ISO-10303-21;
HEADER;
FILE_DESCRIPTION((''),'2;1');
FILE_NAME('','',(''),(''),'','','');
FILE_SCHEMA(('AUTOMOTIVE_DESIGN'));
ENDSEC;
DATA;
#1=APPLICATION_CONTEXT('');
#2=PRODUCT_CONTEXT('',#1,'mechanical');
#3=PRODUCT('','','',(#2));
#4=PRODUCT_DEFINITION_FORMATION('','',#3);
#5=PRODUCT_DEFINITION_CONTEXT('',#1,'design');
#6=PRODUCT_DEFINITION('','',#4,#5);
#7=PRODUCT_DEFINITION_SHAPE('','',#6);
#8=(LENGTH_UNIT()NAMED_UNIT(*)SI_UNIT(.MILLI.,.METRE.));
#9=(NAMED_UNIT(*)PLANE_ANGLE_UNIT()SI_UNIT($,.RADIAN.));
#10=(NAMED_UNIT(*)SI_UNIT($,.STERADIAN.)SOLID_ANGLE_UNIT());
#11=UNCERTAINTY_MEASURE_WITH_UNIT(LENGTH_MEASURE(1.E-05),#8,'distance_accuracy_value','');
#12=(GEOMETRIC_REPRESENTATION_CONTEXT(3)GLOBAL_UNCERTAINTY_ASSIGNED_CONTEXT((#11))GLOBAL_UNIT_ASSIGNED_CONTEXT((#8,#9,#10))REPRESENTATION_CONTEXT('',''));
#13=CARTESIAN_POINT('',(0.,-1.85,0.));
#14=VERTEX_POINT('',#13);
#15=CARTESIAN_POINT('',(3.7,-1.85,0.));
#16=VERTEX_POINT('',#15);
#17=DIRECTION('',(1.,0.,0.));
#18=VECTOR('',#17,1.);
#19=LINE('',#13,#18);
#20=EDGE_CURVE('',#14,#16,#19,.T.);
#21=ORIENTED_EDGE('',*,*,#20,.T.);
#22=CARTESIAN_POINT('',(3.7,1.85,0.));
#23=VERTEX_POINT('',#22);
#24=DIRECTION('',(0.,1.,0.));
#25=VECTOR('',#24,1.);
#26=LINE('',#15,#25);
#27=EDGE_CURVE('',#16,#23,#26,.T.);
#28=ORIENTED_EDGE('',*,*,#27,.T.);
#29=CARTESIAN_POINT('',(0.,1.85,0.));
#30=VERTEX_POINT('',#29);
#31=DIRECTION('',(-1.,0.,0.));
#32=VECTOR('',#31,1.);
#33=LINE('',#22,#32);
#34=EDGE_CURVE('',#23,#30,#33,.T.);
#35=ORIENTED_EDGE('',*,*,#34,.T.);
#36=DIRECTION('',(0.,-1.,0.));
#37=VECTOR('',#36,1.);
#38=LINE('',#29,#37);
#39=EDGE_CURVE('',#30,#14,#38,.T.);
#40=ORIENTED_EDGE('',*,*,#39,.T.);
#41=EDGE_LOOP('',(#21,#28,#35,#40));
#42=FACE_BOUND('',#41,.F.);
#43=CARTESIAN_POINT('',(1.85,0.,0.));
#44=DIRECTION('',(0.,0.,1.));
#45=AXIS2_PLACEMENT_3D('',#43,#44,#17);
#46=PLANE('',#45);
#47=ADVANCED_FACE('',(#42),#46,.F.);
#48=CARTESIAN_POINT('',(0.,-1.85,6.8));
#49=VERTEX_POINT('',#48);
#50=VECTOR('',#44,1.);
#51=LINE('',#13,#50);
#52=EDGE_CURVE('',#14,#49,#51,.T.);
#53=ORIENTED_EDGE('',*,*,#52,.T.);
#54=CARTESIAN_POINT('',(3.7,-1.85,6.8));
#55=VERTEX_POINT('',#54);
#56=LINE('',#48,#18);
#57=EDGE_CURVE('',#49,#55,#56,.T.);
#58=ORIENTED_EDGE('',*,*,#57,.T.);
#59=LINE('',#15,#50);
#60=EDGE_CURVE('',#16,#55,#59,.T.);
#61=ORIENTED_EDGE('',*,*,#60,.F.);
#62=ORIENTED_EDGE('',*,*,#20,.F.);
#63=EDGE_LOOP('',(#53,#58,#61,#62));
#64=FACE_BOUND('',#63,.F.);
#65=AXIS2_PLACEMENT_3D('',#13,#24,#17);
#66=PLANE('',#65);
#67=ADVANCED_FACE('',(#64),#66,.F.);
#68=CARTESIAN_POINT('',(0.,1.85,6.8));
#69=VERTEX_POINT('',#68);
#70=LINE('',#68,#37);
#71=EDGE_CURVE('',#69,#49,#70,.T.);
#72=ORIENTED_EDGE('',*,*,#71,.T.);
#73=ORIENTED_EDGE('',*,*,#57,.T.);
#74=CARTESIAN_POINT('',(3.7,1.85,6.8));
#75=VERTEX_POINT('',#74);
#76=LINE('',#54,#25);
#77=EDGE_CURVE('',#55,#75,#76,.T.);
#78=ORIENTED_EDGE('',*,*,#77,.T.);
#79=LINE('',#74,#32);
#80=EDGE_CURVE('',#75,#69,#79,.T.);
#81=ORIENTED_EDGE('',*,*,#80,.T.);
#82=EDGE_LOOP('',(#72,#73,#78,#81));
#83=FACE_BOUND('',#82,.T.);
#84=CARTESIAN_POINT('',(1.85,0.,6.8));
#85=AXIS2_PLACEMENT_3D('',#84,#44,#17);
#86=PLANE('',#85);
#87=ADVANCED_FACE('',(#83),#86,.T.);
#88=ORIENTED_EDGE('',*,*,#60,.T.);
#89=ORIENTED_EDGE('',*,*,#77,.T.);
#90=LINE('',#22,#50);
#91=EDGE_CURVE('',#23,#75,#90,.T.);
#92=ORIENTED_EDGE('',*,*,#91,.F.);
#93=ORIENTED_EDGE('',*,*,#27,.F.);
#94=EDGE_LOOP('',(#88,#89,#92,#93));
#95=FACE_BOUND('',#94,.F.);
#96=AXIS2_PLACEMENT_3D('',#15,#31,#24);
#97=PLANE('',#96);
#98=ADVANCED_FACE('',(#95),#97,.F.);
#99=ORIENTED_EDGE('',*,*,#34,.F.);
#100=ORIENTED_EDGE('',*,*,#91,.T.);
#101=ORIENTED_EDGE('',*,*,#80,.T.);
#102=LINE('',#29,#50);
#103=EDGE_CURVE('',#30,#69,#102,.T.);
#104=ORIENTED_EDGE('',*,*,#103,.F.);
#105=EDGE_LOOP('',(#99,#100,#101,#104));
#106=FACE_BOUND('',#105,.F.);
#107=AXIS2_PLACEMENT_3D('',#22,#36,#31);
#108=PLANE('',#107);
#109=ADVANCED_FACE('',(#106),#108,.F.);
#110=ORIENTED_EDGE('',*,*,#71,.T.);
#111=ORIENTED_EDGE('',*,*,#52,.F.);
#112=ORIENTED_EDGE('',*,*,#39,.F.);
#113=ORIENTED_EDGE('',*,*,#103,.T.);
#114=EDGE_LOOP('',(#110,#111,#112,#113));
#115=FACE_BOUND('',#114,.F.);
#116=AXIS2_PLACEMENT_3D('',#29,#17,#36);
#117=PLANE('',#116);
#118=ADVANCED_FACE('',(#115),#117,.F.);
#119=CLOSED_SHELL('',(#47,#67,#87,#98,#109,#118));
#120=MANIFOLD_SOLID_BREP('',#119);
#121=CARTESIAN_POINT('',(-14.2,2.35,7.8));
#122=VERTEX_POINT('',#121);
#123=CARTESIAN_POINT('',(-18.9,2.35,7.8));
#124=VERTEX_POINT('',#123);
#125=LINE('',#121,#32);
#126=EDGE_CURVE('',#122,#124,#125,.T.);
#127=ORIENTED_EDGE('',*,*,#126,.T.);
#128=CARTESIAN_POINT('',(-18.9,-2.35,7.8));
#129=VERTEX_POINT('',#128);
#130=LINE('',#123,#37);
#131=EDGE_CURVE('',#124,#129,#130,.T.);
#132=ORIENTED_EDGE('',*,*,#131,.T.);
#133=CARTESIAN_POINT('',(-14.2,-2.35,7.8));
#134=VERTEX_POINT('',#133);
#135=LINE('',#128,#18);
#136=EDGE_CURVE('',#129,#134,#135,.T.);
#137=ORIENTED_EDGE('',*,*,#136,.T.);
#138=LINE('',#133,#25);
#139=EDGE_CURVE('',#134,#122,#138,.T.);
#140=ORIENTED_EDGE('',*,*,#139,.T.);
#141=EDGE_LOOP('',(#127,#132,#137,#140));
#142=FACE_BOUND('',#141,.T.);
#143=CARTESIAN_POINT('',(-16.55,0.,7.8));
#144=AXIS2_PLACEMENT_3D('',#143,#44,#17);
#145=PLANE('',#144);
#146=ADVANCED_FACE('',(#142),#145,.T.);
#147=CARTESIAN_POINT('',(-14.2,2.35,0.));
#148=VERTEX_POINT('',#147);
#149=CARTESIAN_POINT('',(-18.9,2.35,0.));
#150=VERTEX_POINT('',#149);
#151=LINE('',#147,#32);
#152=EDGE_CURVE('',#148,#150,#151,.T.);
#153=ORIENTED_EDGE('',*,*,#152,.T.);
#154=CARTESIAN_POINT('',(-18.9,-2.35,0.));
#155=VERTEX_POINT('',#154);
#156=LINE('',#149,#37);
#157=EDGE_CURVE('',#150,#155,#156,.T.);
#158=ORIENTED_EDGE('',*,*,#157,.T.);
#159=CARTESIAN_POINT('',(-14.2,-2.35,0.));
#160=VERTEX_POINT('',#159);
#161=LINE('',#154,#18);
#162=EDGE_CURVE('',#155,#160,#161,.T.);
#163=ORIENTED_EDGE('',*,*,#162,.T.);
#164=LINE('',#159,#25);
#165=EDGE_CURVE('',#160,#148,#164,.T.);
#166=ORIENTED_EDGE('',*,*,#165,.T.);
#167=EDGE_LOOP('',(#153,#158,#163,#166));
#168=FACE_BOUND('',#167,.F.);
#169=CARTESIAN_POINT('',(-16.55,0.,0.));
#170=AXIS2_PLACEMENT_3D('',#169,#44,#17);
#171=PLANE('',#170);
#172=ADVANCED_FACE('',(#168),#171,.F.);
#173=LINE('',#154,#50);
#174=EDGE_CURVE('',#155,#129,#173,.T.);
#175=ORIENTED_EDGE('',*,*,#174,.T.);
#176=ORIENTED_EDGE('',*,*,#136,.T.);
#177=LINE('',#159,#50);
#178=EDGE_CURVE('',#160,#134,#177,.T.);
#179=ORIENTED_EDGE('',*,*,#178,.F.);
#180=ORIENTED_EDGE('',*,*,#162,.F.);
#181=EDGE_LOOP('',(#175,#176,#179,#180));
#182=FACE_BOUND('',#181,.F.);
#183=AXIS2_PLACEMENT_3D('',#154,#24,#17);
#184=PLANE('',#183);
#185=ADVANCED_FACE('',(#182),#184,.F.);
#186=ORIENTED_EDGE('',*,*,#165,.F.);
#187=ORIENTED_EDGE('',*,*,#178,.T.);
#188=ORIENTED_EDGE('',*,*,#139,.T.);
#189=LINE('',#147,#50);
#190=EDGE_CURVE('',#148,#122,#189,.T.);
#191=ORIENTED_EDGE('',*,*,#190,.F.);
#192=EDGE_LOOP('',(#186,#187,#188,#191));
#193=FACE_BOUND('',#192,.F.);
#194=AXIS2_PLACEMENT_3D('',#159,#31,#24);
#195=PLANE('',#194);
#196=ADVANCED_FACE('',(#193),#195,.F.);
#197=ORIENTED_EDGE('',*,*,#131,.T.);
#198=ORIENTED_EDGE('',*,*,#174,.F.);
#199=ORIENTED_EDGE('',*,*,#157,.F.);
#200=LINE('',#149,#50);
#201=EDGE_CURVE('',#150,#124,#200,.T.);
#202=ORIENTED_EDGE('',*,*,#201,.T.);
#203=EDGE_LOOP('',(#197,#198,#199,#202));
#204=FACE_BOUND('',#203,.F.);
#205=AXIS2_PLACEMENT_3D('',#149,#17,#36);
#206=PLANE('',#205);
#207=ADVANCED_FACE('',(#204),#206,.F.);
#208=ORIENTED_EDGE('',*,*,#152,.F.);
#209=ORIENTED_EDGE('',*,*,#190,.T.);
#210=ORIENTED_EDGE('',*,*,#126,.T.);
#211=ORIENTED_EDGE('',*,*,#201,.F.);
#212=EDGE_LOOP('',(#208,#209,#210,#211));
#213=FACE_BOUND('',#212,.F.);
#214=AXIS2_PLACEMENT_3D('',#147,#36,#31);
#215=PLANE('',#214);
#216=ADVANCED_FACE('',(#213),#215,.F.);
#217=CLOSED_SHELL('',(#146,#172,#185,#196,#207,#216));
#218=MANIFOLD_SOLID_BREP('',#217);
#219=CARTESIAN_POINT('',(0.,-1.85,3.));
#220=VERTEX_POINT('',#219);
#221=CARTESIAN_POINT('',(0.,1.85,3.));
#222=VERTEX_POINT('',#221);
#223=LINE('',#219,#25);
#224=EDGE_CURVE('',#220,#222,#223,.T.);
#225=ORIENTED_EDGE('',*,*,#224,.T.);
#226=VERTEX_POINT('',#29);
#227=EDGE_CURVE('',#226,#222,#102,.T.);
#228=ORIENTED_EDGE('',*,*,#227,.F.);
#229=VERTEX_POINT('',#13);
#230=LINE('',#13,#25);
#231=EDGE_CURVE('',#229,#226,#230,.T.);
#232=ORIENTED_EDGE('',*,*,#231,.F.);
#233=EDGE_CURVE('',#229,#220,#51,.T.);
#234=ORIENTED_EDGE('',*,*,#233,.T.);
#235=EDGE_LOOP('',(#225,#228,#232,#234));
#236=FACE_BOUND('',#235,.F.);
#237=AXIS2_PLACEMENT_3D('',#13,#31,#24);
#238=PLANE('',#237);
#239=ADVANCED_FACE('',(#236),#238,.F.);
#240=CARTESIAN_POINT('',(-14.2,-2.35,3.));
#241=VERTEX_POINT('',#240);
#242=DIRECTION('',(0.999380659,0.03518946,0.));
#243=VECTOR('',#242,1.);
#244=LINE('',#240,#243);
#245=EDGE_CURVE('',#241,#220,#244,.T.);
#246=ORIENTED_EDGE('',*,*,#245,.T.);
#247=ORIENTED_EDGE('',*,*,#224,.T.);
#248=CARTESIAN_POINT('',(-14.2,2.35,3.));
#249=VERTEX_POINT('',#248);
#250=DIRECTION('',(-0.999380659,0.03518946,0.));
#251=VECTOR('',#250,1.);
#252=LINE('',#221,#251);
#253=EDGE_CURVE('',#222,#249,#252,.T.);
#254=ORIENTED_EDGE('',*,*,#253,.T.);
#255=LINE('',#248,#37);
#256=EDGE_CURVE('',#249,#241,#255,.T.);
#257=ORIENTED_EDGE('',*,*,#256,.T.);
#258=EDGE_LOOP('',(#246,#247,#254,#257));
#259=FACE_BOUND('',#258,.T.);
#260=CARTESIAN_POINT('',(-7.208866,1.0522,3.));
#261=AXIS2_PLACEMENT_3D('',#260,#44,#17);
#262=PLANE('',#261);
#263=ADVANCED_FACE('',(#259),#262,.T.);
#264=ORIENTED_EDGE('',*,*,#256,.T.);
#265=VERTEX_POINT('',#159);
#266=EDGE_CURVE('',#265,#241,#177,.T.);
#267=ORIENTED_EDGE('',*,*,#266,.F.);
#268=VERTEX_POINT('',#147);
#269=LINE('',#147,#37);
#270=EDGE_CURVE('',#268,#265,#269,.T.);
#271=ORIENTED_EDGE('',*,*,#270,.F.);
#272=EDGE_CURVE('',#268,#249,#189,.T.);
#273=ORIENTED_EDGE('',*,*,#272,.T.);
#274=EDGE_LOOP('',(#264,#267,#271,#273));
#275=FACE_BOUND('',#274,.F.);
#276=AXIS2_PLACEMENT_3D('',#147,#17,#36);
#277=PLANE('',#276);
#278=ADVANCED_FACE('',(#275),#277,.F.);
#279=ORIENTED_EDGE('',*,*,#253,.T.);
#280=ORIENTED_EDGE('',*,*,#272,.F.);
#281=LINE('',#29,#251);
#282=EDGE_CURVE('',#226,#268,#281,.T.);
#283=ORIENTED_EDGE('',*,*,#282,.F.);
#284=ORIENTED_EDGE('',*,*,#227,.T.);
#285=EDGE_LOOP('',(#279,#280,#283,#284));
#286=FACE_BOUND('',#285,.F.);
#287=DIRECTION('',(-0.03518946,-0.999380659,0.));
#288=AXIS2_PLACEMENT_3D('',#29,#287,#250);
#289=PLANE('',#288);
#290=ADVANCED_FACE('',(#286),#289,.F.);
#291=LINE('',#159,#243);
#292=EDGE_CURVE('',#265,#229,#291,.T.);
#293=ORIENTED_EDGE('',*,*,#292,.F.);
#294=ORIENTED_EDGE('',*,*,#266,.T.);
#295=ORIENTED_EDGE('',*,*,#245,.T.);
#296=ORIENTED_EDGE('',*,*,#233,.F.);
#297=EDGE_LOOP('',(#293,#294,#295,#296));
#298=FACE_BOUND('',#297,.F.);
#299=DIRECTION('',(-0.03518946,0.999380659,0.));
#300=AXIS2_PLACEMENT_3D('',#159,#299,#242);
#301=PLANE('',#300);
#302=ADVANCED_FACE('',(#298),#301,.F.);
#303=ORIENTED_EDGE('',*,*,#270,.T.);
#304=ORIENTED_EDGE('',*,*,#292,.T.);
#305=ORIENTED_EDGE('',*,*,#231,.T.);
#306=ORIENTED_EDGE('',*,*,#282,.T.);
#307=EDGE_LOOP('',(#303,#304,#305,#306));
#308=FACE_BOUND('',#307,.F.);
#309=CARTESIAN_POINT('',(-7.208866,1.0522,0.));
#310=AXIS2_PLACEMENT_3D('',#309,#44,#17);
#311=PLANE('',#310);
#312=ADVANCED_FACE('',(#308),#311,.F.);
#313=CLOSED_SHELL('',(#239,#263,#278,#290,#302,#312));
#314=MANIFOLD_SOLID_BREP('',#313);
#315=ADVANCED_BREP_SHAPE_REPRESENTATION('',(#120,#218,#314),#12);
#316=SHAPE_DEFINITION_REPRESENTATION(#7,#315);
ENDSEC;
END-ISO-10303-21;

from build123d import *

# Parameters (mm, degrees)
F1_DEPTH = 7.8
F2_DEPTH = 6.8
F3_DEPTH = 3


with BuildPart() as f1:
    # F0 (on Top) → F1 (new body)
    with BuildSketch(Plane.XY):
        Polygon((-14.2, 0), (-14.2, 2.35), (-18.9, 2.35), (-18.9, -2.35), (-14.2, -2.35), align=None)
    extrude(amount=F1_DEPTH)


with BuildPart() as f2:
    # F0 (on Top) → F2 (new body)
    with BuildSketch(Plane.XY):
        Polygon((3.7, 1.85), (0, 1.85), (0, 0), (0, -1.85), (3.7, -1.85), align=None)
    extrude(amount=F2_DEPTH)


with BuildPart() as f3:
    # F0 (on Top) → F3 (new body)
    with BuildSketch(Plane.XY):
        Polygon((0, 0), (0, 1.85), (-14.2, 2.35), (-14.2, 0), align=None)
        Polygon((0, -1.85), (0, 0), (-14.2, 0), (-14.2, -2.35), align=None)
    extrude(amount=F3_DEPTH)


solid = Compound([f1.part, f2.part, f3.part])
